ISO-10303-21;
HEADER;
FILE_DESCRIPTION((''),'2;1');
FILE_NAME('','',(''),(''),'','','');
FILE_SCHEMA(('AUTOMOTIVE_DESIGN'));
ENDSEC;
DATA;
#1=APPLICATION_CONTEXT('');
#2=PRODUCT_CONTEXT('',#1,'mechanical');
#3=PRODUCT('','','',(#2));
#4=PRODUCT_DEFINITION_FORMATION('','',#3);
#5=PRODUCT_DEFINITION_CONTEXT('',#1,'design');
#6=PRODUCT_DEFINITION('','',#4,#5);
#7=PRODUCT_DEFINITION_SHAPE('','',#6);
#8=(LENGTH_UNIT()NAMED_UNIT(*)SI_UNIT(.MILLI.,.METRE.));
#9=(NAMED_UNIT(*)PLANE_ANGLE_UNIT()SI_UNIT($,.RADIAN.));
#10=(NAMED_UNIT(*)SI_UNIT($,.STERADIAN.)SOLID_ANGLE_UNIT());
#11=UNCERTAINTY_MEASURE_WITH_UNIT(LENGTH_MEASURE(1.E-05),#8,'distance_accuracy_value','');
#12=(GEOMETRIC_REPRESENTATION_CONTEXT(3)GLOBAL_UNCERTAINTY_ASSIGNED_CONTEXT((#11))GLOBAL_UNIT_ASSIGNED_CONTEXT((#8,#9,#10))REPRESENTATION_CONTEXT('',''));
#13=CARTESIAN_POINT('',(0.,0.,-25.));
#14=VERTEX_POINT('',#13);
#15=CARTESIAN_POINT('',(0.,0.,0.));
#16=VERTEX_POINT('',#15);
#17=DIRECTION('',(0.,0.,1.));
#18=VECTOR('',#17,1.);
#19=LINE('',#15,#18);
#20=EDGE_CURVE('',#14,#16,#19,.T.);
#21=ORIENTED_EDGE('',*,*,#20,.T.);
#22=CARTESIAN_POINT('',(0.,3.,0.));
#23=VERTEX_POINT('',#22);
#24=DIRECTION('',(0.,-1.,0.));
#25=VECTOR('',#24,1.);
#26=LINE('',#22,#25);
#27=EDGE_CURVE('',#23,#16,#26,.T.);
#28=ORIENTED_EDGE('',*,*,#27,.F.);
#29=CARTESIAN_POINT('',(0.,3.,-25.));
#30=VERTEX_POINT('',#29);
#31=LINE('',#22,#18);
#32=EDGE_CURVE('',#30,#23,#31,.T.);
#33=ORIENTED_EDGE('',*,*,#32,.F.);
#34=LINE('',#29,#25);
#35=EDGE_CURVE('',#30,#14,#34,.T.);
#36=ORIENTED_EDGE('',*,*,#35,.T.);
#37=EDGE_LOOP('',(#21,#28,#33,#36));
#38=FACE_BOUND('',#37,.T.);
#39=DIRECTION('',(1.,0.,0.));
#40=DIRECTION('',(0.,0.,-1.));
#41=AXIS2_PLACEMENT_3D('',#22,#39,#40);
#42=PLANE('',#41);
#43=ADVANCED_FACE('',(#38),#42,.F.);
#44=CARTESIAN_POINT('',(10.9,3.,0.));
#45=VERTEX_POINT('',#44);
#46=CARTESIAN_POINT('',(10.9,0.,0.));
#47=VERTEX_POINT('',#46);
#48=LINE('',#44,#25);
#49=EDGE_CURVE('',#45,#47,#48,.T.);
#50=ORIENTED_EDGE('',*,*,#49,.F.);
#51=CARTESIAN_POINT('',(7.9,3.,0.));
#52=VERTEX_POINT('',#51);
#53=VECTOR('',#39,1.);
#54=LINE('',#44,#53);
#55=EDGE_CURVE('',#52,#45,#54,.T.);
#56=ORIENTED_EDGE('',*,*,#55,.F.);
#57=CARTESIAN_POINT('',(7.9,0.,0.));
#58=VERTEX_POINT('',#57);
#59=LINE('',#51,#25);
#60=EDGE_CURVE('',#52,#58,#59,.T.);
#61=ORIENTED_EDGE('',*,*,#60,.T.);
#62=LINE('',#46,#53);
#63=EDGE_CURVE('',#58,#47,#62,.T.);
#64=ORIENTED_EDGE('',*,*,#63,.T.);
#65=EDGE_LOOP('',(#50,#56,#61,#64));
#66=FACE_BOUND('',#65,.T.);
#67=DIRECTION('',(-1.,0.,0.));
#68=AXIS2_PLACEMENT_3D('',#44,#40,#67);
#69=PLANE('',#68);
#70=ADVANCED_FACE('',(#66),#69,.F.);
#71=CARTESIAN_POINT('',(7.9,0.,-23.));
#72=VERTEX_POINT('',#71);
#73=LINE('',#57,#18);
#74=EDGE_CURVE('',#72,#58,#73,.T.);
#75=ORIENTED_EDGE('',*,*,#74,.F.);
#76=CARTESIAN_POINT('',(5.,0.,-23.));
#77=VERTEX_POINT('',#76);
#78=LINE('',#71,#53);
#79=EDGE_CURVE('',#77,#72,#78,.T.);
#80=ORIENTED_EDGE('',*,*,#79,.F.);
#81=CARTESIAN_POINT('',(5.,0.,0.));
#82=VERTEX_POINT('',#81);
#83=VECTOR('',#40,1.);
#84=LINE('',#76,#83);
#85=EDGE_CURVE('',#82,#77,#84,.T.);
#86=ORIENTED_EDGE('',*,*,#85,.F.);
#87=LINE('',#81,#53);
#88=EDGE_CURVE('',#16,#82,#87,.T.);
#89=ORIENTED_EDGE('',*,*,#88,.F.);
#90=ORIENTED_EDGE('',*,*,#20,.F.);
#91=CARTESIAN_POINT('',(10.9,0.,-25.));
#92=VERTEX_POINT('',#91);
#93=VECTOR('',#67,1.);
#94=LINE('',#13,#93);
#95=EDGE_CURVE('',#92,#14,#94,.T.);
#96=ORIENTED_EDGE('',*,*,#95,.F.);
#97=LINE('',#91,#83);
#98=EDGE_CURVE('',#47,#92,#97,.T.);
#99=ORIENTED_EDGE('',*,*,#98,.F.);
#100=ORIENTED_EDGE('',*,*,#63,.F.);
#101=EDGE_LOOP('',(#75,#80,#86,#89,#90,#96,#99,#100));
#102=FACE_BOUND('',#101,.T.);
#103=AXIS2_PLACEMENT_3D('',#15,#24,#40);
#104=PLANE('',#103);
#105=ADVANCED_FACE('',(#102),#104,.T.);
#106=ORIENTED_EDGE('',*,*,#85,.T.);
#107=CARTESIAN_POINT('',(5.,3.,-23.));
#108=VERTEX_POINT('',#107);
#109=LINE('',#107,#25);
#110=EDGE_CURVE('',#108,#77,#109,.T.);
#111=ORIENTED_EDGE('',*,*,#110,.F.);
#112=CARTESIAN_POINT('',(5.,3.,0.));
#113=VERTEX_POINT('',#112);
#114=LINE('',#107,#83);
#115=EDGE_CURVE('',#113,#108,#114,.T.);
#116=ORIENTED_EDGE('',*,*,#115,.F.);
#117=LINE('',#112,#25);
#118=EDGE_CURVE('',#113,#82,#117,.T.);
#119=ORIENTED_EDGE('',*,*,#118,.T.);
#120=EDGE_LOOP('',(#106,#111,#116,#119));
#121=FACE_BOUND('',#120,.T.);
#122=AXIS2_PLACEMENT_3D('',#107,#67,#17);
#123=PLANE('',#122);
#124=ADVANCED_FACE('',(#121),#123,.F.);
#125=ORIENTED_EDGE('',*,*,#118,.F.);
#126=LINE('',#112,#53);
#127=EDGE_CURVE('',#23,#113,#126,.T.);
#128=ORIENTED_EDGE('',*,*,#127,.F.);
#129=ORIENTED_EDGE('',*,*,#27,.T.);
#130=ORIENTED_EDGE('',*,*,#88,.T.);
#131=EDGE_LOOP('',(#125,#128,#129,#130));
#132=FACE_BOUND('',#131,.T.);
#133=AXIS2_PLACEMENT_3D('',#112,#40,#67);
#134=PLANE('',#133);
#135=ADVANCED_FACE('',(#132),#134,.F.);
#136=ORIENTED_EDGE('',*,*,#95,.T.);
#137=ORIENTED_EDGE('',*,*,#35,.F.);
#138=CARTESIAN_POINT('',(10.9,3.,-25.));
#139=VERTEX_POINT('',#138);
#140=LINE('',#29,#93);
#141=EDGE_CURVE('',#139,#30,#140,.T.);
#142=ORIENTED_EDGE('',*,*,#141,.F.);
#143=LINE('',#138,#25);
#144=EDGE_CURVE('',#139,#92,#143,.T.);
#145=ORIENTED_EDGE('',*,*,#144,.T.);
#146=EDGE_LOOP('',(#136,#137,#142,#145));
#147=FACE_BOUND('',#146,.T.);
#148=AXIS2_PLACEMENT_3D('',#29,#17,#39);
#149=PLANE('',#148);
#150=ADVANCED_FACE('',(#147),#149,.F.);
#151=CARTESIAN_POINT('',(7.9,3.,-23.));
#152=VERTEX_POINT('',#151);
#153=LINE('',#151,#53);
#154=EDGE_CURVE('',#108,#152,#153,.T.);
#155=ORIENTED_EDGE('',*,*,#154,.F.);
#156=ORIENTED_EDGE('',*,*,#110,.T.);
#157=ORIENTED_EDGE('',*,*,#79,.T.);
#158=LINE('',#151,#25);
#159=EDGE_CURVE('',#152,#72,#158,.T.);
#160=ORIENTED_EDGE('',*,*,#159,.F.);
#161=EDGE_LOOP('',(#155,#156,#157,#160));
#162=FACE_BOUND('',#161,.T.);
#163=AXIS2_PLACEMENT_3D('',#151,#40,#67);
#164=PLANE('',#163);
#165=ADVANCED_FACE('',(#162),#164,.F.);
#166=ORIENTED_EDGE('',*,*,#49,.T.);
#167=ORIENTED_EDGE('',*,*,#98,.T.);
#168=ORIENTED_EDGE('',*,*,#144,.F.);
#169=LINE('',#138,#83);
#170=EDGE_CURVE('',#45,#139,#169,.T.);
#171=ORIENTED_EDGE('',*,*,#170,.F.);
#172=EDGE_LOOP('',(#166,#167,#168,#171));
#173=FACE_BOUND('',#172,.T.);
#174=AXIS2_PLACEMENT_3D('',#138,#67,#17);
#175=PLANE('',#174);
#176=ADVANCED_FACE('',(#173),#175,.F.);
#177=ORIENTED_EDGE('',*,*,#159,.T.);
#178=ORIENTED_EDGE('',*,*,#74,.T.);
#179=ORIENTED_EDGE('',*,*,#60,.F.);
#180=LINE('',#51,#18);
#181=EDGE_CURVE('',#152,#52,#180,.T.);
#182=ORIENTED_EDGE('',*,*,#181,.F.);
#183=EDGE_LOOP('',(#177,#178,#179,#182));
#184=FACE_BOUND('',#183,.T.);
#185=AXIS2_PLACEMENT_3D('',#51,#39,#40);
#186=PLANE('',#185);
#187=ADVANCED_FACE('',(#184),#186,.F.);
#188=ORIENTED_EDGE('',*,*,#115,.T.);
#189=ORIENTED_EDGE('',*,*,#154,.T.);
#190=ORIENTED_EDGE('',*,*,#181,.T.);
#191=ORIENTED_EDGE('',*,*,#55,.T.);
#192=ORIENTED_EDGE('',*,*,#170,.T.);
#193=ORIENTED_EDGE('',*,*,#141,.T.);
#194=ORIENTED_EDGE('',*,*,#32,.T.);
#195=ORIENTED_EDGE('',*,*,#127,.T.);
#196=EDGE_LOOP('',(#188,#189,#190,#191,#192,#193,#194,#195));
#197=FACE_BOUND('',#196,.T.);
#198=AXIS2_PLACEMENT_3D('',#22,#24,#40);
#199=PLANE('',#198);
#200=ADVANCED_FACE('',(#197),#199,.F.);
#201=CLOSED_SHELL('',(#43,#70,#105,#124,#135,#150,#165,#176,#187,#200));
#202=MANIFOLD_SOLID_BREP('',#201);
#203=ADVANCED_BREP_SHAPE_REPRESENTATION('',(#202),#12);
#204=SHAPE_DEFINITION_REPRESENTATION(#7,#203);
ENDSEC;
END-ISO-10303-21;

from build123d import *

# Parameters (mm, degrees)
EXTRUDE_1_DEPTH = 3


with BuildPart() as part:
    # 草图1 → 凸台-拉伸1 (new body)
    with BuildSketch(Plane(origin=(0, 0, 0), x_dir=(1, 0, 0), z_dir=(0, 1, 0))):
        Polygon((0, 0), (0, 25), (10.9, 25), (10.9, 0), (7.9, 0), (7.9, 23), (5, 23), (5, 0), align=None)
    extrude(amount=EXTRUDE_1_DEPTH)


solid = part.part
